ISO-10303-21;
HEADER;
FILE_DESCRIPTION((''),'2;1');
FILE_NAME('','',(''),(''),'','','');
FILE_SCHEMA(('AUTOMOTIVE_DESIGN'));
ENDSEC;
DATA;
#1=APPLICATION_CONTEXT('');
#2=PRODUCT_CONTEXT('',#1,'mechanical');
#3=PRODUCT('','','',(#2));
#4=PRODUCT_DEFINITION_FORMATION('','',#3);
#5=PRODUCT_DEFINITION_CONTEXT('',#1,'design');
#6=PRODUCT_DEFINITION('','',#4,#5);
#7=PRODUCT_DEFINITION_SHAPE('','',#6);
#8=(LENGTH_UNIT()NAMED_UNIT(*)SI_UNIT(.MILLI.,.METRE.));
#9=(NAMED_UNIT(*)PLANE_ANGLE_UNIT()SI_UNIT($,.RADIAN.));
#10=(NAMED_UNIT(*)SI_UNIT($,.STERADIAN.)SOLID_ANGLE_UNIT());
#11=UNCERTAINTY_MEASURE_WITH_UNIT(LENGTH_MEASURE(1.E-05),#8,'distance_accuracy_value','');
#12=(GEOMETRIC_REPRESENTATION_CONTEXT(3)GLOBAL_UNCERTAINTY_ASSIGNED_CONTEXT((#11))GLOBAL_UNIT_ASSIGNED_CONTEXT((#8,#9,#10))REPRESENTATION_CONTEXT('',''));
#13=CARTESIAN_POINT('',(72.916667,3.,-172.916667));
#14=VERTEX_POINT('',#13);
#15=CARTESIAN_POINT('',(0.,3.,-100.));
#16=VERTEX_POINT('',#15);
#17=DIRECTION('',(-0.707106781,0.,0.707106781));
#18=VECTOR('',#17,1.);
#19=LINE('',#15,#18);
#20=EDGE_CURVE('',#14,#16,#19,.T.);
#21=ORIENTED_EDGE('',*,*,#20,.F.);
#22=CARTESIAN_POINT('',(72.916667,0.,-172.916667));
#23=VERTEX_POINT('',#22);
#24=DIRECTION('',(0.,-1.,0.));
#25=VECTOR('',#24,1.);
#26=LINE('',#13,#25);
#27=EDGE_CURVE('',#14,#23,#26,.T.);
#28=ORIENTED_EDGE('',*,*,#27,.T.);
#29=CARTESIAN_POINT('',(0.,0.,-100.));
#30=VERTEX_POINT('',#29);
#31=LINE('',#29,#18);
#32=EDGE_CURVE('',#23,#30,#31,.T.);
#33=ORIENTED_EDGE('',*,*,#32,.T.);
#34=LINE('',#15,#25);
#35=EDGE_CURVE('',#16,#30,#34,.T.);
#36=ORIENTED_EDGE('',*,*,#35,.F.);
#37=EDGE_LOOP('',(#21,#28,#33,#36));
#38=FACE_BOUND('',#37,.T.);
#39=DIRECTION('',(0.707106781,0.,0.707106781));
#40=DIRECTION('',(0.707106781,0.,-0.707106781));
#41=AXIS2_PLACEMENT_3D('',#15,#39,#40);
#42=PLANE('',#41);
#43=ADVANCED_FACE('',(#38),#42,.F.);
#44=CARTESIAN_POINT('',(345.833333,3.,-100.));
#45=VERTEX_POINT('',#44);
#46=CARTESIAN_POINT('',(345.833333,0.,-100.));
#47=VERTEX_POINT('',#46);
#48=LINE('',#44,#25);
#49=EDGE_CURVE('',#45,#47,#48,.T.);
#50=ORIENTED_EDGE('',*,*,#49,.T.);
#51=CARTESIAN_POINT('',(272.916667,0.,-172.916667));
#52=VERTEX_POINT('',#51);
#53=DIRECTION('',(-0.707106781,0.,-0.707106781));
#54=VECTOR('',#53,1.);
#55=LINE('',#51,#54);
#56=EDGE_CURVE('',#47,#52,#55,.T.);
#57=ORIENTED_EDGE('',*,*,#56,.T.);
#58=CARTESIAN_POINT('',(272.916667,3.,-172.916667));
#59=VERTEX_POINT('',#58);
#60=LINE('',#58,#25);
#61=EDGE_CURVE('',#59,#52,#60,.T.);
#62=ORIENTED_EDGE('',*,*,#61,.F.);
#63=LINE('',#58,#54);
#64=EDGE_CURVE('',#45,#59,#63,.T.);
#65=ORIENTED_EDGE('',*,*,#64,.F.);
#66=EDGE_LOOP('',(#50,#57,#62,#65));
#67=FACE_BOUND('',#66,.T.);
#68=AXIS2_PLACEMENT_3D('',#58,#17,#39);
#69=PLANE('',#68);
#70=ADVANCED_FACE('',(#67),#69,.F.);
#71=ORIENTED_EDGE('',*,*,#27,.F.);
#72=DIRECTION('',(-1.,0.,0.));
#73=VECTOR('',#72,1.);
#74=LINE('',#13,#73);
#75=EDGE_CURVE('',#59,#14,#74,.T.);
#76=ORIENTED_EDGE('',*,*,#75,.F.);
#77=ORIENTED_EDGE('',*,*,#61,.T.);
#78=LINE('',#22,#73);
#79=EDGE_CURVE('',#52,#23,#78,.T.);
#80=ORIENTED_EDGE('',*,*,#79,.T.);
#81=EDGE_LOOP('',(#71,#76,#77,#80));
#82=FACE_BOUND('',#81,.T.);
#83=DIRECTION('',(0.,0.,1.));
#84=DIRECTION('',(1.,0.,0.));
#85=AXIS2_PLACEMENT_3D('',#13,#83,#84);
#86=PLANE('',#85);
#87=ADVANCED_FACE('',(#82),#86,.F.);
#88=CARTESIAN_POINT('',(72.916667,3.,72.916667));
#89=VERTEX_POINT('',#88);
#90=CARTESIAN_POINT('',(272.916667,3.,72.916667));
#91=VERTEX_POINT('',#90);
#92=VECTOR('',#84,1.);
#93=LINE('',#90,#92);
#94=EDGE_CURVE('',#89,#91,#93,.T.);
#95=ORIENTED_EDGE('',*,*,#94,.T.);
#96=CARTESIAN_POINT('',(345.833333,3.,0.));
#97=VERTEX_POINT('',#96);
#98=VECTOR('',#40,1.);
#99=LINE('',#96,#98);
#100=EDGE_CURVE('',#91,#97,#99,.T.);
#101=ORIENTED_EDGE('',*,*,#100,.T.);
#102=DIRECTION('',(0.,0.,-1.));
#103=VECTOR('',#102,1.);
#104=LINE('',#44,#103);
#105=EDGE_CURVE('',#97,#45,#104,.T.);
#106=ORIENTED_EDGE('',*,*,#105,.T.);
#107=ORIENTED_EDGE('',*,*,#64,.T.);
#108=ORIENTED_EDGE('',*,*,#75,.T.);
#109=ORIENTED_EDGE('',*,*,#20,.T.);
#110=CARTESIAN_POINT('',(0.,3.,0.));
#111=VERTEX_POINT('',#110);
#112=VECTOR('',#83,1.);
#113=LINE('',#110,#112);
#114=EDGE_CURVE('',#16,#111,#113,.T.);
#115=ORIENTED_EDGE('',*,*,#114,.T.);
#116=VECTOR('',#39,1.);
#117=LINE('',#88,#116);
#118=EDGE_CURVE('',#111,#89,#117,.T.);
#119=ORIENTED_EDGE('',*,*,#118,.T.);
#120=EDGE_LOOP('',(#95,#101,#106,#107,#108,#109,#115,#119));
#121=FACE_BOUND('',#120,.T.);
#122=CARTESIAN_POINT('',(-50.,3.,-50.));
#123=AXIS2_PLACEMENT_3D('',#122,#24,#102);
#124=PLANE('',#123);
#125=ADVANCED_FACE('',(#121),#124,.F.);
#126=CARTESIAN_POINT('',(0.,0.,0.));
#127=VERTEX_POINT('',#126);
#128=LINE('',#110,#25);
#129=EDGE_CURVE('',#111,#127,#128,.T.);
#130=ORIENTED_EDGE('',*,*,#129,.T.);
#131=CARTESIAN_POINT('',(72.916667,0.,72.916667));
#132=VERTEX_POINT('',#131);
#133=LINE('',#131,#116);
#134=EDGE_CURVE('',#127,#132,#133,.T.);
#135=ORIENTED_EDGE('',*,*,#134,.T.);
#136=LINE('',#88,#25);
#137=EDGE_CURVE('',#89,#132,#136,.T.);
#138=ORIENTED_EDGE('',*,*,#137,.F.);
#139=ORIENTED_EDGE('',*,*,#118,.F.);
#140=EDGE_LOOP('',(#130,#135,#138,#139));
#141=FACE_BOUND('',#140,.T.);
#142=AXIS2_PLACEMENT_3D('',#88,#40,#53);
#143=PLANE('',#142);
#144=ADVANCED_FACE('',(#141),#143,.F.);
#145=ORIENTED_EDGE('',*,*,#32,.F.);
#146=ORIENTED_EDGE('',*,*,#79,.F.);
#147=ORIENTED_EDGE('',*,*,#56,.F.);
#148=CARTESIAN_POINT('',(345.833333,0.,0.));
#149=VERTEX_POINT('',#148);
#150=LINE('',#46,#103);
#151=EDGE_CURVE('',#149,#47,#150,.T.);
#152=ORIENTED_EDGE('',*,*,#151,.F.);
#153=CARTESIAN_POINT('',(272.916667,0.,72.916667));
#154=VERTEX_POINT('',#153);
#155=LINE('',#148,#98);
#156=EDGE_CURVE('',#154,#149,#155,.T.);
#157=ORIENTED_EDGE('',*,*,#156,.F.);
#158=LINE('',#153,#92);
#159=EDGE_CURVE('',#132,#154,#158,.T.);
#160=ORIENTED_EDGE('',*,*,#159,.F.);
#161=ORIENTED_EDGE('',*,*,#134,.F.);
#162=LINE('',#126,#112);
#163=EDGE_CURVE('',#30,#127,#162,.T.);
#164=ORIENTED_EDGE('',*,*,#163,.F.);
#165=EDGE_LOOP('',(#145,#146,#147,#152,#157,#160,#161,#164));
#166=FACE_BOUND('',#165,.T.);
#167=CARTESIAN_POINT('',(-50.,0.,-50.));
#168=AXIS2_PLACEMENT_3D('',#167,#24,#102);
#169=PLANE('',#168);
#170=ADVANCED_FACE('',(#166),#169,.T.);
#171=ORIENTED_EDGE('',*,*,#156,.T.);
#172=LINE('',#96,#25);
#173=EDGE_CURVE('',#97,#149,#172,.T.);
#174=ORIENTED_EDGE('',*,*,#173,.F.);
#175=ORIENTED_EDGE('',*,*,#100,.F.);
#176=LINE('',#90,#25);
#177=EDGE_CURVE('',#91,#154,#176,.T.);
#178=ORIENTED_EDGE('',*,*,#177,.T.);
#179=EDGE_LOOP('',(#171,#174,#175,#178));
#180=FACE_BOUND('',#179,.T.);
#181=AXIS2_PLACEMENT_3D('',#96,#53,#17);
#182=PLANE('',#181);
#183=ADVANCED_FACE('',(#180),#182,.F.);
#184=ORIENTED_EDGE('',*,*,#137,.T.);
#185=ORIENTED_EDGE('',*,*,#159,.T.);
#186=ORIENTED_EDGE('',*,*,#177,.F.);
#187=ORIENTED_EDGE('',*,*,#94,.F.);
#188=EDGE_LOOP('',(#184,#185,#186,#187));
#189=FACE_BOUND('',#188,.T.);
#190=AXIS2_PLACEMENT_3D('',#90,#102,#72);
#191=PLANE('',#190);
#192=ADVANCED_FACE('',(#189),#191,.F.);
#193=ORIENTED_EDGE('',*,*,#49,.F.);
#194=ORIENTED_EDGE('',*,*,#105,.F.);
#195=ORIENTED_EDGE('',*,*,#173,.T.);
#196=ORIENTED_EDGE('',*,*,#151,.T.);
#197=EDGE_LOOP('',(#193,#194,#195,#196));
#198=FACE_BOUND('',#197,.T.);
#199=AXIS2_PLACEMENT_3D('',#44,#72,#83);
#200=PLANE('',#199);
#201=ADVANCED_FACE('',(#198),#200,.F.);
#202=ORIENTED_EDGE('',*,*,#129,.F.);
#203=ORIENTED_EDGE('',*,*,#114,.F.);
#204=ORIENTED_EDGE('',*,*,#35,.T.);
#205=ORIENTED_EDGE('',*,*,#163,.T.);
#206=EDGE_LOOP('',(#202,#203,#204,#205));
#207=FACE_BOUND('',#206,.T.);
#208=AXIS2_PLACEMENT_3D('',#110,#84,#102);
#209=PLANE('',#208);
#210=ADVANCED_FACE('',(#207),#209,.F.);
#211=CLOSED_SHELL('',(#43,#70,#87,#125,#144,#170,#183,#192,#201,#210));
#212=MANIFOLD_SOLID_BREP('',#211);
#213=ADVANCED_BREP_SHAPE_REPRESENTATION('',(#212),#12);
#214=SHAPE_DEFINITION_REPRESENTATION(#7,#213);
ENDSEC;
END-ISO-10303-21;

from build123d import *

# Parameters (mm, degrees)
EXTRUSION1_DEPTH = 3


with BuildPart() as part:
    # Esquisse1 → Extrusion1 (new body)
    with BuildSketch(Plane(origin=(0, 0, 0), x_dir=(1, 0, 0), z_dir=(0, 1, 0))):
        Polygon((0, 0), (0, 100), (72.916666667, 172.916666667), (272.916666667, 172.916666667), (345.833333333, 100), (345.833333333, 0), (272.916666667, -72.916666667), (72.916666667, -72.916666667), align=None)
    extrude(amount=EXTRUSION1_DEPTH)


solid = part.part
